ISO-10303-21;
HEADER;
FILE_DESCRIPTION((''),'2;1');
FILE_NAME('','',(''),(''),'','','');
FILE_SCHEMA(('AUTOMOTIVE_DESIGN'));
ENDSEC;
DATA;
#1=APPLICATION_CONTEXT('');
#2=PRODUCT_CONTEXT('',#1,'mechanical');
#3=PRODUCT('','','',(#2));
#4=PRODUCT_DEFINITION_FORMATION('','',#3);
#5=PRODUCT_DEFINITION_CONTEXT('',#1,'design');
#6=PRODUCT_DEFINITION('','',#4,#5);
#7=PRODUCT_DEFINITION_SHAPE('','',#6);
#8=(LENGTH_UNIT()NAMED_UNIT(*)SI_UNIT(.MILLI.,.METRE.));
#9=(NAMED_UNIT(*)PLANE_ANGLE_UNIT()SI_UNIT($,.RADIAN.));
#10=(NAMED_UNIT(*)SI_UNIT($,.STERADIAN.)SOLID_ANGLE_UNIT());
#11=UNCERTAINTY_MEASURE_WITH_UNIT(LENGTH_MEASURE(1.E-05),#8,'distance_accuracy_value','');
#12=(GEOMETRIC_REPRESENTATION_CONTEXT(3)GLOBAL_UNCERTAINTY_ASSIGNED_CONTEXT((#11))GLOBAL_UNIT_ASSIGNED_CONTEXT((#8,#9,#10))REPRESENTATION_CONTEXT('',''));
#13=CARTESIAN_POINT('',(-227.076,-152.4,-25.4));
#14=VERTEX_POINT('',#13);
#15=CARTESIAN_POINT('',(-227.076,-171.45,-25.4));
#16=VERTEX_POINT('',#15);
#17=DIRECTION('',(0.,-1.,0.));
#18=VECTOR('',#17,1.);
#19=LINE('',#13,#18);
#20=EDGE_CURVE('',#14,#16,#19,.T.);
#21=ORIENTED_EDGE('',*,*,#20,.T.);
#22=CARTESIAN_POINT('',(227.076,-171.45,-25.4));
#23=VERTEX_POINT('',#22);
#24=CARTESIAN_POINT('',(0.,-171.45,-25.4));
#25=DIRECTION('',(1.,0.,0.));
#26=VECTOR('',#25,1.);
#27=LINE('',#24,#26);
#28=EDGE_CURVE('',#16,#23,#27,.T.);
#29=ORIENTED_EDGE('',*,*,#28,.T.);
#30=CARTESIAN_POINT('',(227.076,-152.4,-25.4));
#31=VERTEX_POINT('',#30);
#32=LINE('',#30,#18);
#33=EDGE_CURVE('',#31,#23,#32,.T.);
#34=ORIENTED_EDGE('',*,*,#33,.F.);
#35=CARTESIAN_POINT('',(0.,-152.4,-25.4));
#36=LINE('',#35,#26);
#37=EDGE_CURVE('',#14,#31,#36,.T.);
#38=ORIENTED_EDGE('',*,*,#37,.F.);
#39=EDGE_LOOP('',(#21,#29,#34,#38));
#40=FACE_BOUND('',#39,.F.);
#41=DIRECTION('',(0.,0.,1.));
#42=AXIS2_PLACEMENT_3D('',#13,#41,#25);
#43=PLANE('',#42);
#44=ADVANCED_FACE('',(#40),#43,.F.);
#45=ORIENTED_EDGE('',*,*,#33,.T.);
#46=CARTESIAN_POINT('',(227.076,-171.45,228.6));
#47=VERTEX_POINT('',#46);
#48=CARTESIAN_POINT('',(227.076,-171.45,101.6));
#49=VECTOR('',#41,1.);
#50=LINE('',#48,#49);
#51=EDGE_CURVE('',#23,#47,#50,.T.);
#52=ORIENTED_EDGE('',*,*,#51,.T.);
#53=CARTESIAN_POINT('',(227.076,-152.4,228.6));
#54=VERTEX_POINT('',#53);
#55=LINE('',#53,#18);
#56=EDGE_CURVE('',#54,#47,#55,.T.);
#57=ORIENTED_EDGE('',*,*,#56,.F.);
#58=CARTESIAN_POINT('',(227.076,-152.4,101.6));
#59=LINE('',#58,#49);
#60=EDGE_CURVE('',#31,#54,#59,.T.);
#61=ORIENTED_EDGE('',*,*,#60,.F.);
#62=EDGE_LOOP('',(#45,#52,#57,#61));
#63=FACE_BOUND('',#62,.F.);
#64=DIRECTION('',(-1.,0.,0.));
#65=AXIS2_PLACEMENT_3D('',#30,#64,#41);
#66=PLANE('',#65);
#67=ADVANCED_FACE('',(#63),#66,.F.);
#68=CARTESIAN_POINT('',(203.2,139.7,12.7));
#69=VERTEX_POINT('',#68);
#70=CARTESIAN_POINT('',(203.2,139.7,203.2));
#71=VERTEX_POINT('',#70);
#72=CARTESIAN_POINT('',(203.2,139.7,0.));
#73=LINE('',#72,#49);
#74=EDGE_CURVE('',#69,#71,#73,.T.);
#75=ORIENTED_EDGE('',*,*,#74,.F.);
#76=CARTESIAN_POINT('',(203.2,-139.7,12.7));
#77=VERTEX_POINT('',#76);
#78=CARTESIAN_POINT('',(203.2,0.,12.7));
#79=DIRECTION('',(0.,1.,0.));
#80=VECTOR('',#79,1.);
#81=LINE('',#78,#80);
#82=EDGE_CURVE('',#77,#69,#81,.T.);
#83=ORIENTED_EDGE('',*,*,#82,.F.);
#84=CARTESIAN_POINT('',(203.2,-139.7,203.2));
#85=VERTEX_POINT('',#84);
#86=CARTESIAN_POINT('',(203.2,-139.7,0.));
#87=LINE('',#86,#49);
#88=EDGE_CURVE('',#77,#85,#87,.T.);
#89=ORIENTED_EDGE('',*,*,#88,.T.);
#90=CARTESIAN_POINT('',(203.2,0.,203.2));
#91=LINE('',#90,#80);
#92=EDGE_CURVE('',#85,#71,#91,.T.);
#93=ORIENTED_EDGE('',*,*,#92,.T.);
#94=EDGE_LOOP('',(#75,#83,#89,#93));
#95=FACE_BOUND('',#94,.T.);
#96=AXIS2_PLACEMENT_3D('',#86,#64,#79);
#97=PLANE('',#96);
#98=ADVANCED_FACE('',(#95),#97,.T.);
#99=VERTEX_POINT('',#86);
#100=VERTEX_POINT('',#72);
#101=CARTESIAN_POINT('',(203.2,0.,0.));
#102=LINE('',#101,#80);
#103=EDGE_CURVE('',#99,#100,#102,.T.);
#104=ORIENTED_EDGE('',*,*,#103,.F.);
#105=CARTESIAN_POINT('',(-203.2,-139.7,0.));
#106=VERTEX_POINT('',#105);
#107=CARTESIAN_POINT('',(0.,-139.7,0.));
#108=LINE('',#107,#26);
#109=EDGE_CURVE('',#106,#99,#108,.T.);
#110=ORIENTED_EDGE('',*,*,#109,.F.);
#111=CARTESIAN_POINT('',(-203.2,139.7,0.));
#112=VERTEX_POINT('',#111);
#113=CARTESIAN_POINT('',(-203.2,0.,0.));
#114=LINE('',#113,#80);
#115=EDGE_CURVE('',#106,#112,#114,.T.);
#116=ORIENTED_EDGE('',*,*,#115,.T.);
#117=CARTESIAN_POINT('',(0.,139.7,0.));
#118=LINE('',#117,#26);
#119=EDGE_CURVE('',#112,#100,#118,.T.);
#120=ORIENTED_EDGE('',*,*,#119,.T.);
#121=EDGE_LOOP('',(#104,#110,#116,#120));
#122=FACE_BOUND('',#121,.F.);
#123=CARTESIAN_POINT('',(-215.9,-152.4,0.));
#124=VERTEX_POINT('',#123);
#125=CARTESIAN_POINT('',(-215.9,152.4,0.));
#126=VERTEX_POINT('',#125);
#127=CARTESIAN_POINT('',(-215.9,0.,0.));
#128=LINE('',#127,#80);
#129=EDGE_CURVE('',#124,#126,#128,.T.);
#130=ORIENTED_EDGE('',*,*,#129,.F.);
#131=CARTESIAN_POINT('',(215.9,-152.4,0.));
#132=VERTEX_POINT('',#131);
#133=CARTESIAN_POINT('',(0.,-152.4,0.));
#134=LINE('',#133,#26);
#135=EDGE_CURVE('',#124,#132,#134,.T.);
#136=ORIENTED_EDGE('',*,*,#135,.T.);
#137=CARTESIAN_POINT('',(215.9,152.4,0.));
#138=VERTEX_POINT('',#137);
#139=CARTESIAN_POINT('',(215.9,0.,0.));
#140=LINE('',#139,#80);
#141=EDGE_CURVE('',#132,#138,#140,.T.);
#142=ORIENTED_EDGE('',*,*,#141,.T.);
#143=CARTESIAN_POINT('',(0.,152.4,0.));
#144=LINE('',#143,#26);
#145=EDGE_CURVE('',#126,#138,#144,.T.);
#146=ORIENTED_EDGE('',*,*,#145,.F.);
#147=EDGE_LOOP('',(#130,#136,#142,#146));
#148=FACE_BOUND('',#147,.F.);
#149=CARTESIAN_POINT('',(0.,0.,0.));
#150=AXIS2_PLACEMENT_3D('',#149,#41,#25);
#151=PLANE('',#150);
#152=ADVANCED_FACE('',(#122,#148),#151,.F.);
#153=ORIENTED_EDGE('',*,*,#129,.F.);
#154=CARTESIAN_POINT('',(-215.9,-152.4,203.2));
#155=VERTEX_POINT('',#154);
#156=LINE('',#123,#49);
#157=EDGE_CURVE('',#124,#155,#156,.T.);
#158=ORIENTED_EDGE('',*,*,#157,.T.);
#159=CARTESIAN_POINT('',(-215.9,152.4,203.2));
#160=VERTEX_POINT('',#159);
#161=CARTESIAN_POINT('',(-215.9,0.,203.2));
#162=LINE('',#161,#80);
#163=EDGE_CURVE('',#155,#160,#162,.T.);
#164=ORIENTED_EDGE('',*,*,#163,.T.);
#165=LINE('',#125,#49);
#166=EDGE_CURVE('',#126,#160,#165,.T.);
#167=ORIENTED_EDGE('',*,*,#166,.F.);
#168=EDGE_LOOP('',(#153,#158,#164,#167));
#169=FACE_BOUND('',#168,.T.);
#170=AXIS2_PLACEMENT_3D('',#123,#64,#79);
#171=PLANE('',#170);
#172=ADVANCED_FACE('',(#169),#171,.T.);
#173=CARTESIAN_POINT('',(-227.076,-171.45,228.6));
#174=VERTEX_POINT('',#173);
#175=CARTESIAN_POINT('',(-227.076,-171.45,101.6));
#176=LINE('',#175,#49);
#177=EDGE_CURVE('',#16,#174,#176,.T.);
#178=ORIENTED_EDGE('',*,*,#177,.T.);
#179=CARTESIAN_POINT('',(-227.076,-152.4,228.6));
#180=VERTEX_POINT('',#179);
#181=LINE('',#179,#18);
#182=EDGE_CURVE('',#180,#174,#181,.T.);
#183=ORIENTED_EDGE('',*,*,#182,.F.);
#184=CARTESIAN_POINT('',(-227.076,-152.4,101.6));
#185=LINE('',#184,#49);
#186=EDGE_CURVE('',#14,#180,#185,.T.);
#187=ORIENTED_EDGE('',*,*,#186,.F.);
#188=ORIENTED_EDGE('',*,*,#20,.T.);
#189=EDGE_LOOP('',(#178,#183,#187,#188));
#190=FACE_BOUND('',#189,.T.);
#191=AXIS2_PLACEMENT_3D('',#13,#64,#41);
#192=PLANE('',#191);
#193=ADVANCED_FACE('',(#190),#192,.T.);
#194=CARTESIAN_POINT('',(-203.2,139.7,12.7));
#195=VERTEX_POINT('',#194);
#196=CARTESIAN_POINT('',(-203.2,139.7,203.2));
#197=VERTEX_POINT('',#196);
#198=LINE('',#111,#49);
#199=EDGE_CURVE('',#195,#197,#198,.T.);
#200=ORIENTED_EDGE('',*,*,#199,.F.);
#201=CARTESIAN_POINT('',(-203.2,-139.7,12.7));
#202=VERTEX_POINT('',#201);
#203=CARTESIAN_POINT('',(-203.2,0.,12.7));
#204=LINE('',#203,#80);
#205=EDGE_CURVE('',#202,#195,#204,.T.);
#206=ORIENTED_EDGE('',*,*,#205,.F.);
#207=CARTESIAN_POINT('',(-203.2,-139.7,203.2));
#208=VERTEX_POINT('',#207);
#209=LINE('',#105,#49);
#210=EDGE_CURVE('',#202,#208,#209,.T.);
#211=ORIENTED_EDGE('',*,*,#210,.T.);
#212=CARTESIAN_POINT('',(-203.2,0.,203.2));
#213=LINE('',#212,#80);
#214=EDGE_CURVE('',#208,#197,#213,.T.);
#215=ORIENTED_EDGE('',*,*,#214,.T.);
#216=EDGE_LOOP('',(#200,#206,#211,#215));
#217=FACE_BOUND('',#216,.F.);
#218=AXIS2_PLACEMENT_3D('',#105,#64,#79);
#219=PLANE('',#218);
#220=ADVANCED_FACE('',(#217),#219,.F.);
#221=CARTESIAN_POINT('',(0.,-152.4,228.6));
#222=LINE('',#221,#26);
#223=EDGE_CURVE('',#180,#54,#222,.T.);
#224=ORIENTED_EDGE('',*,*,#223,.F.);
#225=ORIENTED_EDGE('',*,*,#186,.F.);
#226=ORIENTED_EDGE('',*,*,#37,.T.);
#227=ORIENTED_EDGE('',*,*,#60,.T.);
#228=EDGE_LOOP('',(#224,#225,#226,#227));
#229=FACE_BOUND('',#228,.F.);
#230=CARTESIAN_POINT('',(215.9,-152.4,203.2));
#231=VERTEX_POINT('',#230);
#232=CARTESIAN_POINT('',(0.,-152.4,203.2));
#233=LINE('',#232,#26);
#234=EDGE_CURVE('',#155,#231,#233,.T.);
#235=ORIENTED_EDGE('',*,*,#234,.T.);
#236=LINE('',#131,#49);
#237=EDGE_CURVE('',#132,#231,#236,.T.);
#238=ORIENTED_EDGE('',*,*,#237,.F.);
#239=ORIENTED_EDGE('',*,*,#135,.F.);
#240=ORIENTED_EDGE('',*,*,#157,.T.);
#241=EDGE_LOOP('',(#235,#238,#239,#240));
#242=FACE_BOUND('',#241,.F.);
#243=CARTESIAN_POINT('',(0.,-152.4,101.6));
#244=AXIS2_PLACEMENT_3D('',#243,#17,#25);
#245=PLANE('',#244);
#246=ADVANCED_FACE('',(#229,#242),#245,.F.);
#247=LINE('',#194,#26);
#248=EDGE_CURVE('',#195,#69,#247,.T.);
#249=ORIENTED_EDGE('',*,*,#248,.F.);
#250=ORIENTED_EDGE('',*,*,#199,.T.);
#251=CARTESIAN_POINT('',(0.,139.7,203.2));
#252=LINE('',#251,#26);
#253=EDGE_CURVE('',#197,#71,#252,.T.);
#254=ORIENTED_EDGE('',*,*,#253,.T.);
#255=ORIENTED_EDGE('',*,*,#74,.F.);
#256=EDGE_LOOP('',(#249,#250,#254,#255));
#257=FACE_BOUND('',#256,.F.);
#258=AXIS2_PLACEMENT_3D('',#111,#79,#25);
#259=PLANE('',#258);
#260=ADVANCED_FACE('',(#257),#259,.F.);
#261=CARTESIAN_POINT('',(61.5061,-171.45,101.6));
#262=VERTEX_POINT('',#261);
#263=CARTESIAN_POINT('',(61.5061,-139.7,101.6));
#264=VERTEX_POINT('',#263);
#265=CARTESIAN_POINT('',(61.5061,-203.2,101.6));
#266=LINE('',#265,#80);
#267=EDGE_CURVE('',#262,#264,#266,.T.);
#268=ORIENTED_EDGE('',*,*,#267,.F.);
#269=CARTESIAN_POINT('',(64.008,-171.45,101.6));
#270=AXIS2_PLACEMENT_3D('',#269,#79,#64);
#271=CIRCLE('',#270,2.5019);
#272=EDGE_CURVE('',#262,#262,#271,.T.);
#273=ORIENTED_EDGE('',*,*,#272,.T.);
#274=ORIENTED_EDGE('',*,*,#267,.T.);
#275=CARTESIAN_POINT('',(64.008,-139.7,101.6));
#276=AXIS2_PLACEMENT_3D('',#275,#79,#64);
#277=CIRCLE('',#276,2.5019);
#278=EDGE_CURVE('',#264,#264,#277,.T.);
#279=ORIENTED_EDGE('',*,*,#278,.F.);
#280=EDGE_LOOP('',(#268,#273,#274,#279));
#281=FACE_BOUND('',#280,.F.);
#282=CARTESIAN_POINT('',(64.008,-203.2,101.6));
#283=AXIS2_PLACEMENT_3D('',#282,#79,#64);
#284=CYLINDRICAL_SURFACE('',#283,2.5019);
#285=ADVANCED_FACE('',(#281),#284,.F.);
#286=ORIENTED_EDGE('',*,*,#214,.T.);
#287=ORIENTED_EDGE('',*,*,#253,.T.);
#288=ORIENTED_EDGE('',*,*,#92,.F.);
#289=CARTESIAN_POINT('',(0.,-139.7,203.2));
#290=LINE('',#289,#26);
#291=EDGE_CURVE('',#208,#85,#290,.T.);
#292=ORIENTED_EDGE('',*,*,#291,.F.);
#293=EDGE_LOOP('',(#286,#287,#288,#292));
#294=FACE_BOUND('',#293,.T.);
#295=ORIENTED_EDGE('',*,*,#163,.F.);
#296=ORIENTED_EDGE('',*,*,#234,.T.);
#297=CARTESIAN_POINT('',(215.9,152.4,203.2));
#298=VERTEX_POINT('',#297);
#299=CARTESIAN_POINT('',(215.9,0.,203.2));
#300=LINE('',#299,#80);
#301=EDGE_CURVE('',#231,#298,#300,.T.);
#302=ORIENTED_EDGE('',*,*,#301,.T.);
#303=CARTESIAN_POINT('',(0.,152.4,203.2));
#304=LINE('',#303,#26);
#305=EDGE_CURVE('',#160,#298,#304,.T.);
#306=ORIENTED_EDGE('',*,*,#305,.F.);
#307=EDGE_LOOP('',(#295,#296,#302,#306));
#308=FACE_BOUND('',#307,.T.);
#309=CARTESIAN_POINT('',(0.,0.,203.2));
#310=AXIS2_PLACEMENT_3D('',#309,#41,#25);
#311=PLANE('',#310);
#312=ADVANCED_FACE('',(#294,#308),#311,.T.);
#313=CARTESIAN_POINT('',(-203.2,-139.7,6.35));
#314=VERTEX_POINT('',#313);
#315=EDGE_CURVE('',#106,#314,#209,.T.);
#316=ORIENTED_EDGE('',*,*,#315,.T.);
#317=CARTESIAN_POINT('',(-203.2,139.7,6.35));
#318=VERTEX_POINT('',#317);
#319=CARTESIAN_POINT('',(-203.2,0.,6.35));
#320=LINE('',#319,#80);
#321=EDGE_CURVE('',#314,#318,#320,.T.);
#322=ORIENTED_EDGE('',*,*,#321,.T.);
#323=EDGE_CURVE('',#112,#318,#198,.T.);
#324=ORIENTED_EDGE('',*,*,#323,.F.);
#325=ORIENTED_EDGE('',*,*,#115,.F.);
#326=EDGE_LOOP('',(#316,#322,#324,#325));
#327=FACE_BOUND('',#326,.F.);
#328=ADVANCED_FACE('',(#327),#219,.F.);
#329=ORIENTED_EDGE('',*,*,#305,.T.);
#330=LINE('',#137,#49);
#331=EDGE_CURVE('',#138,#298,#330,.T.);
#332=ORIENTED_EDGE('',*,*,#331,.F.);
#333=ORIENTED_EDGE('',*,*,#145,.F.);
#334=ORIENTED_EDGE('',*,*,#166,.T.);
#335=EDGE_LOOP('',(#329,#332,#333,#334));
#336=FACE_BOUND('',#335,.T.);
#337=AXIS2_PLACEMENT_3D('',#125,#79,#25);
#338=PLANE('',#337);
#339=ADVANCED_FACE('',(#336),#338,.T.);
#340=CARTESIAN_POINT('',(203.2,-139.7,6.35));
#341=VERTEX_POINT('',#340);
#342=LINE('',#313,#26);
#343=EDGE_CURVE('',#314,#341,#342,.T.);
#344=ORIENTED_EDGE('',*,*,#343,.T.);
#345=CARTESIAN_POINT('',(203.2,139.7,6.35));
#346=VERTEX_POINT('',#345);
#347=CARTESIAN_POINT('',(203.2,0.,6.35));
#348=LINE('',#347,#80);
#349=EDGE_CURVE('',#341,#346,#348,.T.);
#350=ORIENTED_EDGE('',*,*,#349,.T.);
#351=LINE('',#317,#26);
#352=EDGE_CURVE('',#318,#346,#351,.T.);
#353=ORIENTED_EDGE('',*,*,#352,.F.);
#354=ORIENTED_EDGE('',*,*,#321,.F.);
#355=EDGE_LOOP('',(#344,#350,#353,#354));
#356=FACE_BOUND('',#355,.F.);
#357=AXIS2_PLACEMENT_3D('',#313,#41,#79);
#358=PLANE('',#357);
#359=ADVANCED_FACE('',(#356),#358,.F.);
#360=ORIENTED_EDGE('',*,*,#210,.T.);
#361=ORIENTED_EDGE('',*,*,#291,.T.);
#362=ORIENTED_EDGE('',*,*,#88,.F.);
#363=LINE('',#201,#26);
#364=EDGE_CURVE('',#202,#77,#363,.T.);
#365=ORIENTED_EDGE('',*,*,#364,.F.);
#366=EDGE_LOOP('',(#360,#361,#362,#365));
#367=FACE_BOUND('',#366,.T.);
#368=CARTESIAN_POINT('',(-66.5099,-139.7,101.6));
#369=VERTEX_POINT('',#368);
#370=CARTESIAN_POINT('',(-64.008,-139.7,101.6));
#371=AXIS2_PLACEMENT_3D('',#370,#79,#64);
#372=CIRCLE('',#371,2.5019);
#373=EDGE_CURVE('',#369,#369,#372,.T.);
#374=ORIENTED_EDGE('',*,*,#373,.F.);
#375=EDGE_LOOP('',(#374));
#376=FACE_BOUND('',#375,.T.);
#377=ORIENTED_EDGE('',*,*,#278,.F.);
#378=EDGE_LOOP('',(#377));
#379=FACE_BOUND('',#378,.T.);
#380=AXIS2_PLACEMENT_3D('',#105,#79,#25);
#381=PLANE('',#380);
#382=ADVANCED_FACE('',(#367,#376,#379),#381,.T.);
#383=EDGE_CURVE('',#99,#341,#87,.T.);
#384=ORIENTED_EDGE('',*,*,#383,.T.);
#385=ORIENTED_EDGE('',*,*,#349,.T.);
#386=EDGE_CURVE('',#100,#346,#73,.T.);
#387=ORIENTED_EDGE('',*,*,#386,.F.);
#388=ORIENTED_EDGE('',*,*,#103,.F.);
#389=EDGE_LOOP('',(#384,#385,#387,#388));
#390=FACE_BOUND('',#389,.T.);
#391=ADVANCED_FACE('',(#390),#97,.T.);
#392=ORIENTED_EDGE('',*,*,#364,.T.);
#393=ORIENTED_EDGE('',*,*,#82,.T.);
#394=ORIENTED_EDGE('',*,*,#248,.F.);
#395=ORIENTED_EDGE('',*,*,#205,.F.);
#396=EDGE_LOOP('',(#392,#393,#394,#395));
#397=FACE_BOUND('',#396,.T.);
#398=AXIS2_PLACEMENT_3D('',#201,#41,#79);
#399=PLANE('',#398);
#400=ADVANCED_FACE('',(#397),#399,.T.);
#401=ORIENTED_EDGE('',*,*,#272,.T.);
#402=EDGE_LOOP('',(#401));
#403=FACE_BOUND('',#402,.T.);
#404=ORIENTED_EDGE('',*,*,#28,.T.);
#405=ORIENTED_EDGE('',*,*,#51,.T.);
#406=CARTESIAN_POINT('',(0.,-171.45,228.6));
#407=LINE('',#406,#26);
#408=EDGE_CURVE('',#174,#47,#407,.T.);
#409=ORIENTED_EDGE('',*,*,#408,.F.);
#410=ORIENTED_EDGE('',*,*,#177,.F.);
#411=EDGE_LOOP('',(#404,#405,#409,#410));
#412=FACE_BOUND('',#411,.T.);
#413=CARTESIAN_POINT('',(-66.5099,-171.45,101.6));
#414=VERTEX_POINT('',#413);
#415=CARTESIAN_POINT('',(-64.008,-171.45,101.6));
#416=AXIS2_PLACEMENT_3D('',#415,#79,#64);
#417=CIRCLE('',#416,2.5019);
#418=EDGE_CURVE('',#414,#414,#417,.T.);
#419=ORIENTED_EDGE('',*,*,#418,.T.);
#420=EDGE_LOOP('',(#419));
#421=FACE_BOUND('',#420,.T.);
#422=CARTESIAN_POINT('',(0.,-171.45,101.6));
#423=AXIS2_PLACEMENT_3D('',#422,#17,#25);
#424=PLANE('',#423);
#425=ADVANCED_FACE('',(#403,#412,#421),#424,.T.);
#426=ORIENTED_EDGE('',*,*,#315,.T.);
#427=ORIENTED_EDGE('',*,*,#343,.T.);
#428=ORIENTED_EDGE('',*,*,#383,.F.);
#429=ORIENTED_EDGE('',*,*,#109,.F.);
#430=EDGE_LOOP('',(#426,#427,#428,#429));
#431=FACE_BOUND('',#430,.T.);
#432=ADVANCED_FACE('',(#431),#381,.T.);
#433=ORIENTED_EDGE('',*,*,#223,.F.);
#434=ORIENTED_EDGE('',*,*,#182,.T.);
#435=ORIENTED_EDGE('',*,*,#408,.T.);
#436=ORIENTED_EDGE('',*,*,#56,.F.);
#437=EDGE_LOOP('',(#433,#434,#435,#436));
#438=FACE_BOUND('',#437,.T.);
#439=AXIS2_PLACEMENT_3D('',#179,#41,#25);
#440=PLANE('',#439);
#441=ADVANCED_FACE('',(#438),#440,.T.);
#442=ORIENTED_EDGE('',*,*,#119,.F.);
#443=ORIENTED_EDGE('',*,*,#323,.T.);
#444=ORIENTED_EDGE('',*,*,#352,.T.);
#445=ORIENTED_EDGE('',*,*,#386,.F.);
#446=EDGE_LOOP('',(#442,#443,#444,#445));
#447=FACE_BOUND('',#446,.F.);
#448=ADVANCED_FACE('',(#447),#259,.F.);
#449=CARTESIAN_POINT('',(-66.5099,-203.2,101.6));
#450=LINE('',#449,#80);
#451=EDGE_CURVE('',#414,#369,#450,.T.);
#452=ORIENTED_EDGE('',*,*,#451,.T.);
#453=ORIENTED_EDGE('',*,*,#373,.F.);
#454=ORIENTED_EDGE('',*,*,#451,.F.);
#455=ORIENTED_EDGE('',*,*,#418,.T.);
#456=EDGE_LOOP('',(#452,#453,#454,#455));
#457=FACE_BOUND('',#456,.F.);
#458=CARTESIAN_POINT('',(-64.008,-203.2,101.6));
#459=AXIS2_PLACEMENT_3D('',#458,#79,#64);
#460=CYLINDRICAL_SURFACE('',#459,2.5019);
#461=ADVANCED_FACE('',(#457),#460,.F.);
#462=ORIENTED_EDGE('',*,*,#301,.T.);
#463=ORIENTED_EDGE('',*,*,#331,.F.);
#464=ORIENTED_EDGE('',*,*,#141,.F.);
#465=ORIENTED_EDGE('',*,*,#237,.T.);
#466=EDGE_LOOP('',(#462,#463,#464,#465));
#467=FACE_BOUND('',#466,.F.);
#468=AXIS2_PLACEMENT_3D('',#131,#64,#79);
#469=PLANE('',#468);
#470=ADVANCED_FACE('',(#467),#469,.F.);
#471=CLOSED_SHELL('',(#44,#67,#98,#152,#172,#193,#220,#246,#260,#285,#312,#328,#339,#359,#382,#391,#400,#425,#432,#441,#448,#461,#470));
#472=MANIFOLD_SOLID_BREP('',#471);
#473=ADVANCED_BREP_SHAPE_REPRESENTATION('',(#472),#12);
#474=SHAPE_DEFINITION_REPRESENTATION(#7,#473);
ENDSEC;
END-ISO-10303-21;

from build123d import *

# Parameters (mm, degrees)
F0_W     = 431.8
F0_H     = 304.8
F0_W_2   = 406.4
F0_H_2   = 279.4
F1_DEPTH = 203.2
F2_W     = 279.4
F2_H     = 6.35
F3_DEPTH = 406.4
F4_W     = 454.152
F4_H     = 254
F5_DEPTH = 19.05
F7_D     = 5.0038
F7_DEPTH = 31.75


with BuildPart() as f1:
    # F0 (on Top) → F1 (new body)
    with BuildSketch(Plane.XY):
        Rectangle(F0_W, F0_H)
        Rectangle(F0_W_2, F0_H_2, mode=Mode.SUBTRACT)
    extrude(amount=F1_DEPTH)

    # F2 (on face) → F3 (join, through all)
    with BuildSketch(Plane.YZ.offset(-203.2)):
        with Locations((0, 9.525)):
            Rectangle(F2_W, F2_H)
    extrude(amount=F3_DEPTH)

    # F4 (on face) → F5 (join)
    with BuildSketch(Plane.XZ.offset(152.4)):
        with Locations((0, 101.6)):
            Rectangle(F4_W, F4_H)
    extrude(amount=F5_DEPTH)

    # F7
    with Locations(Plane.XZ.offset(171.45)):
        with Locations((-64.008, 101.6), (64.008, 101.6)):
            Hole(F7_D / 2, depth=F7_DEPTH)


solid = f1.part
